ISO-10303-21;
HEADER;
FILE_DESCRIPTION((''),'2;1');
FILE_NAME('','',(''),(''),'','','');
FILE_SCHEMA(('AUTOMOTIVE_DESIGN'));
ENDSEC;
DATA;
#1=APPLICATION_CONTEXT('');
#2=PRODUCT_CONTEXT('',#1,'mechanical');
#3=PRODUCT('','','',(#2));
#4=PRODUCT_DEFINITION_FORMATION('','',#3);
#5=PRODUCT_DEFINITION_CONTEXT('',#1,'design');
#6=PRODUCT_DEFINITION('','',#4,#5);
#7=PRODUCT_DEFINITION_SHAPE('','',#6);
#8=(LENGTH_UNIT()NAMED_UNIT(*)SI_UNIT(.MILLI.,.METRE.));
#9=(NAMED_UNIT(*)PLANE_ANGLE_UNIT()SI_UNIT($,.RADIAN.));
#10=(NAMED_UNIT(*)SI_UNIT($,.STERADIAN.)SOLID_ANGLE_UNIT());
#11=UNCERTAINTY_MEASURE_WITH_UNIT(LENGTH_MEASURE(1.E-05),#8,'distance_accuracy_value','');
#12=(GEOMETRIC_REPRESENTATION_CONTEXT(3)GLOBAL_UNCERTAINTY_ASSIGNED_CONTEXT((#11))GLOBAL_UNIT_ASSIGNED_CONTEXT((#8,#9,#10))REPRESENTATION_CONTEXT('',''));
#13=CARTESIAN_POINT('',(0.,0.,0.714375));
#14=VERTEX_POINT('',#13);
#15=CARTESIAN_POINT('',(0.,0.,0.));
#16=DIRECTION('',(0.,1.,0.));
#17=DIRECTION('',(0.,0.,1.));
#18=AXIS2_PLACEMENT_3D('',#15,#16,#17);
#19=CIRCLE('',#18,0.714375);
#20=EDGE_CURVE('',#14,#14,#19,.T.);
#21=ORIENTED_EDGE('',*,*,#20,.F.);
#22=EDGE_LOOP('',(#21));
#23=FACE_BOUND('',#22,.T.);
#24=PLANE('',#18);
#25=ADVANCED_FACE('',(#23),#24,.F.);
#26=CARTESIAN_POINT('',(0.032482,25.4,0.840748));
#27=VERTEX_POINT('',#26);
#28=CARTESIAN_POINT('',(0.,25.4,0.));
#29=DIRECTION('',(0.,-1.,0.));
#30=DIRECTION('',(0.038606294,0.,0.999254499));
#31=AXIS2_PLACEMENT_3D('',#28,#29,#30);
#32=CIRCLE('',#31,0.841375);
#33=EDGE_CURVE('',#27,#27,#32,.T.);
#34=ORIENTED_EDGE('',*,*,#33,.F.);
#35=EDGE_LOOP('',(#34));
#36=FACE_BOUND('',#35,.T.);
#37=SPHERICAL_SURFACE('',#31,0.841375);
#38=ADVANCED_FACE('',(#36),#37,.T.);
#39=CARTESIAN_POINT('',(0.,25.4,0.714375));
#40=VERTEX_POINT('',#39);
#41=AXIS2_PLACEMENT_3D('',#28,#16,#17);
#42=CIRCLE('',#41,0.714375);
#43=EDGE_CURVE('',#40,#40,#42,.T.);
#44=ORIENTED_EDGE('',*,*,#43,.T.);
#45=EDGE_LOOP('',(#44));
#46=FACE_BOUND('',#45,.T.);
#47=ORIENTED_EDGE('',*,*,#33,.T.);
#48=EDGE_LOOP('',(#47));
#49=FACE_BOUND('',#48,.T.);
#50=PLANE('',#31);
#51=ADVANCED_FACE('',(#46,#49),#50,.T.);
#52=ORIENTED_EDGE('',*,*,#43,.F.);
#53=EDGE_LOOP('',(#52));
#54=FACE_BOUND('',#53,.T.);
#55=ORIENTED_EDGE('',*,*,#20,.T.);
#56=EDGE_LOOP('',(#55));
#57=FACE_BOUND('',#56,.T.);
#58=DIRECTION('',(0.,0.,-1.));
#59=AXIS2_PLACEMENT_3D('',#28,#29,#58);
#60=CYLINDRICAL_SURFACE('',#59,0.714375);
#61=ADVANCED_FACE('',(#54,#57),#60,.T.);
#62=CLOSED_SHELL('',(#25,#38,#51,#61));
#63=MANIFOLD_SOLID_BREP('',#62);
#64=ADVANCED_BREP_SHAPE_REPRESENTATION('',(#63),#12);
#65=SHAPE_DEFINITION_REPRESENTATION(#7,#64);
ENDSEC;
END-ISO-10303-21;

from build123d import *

# Parameters (mm, degrees)
SKETCH1_R           = 0.714375
BOSS_EXTRUDE1_DEPTH = 25.4
REVOLVE1_ANGLE      = 180


with BuildPart() as part:
    # Sketch1 → Boss-Extrude1 (new body)
    with BuildSketch(Plane(origin=(0, 0, 0), x_dir=(1, 0, 0), z_dir=(0, 1, 0))):
        with Locations(Location((0, 0, 0), (0, 0, 270))):
            Circle(SKETCH1_R)
    extrude(amount=BOSS_EXTRUDE1_DEPTH)

    # Sketch2 → Revolve1 (revolve)
    with BuildSketch(Plane(origin=(0, 25.4, 0), x_dir=(1, 0, 0), z_dir=(0, 1, 0))):
        with BuildLine():
            Line((-0.016244213, 0.841218174), (0.016244213, -0.841218174))
            ThreePointArc((0.016244213, -0.841218174), (-0.841218174, -0.016244213), (-0.016244213, 0.841218174))
        make_face()
    revolve(axis=Axis((-0.016244213, 25.4, -0.841218174), (-0.019306745522544785, 0, -0.9998136074175665)), revolution_arc=REVOLVE1_ANGLE)


solid = part.part
